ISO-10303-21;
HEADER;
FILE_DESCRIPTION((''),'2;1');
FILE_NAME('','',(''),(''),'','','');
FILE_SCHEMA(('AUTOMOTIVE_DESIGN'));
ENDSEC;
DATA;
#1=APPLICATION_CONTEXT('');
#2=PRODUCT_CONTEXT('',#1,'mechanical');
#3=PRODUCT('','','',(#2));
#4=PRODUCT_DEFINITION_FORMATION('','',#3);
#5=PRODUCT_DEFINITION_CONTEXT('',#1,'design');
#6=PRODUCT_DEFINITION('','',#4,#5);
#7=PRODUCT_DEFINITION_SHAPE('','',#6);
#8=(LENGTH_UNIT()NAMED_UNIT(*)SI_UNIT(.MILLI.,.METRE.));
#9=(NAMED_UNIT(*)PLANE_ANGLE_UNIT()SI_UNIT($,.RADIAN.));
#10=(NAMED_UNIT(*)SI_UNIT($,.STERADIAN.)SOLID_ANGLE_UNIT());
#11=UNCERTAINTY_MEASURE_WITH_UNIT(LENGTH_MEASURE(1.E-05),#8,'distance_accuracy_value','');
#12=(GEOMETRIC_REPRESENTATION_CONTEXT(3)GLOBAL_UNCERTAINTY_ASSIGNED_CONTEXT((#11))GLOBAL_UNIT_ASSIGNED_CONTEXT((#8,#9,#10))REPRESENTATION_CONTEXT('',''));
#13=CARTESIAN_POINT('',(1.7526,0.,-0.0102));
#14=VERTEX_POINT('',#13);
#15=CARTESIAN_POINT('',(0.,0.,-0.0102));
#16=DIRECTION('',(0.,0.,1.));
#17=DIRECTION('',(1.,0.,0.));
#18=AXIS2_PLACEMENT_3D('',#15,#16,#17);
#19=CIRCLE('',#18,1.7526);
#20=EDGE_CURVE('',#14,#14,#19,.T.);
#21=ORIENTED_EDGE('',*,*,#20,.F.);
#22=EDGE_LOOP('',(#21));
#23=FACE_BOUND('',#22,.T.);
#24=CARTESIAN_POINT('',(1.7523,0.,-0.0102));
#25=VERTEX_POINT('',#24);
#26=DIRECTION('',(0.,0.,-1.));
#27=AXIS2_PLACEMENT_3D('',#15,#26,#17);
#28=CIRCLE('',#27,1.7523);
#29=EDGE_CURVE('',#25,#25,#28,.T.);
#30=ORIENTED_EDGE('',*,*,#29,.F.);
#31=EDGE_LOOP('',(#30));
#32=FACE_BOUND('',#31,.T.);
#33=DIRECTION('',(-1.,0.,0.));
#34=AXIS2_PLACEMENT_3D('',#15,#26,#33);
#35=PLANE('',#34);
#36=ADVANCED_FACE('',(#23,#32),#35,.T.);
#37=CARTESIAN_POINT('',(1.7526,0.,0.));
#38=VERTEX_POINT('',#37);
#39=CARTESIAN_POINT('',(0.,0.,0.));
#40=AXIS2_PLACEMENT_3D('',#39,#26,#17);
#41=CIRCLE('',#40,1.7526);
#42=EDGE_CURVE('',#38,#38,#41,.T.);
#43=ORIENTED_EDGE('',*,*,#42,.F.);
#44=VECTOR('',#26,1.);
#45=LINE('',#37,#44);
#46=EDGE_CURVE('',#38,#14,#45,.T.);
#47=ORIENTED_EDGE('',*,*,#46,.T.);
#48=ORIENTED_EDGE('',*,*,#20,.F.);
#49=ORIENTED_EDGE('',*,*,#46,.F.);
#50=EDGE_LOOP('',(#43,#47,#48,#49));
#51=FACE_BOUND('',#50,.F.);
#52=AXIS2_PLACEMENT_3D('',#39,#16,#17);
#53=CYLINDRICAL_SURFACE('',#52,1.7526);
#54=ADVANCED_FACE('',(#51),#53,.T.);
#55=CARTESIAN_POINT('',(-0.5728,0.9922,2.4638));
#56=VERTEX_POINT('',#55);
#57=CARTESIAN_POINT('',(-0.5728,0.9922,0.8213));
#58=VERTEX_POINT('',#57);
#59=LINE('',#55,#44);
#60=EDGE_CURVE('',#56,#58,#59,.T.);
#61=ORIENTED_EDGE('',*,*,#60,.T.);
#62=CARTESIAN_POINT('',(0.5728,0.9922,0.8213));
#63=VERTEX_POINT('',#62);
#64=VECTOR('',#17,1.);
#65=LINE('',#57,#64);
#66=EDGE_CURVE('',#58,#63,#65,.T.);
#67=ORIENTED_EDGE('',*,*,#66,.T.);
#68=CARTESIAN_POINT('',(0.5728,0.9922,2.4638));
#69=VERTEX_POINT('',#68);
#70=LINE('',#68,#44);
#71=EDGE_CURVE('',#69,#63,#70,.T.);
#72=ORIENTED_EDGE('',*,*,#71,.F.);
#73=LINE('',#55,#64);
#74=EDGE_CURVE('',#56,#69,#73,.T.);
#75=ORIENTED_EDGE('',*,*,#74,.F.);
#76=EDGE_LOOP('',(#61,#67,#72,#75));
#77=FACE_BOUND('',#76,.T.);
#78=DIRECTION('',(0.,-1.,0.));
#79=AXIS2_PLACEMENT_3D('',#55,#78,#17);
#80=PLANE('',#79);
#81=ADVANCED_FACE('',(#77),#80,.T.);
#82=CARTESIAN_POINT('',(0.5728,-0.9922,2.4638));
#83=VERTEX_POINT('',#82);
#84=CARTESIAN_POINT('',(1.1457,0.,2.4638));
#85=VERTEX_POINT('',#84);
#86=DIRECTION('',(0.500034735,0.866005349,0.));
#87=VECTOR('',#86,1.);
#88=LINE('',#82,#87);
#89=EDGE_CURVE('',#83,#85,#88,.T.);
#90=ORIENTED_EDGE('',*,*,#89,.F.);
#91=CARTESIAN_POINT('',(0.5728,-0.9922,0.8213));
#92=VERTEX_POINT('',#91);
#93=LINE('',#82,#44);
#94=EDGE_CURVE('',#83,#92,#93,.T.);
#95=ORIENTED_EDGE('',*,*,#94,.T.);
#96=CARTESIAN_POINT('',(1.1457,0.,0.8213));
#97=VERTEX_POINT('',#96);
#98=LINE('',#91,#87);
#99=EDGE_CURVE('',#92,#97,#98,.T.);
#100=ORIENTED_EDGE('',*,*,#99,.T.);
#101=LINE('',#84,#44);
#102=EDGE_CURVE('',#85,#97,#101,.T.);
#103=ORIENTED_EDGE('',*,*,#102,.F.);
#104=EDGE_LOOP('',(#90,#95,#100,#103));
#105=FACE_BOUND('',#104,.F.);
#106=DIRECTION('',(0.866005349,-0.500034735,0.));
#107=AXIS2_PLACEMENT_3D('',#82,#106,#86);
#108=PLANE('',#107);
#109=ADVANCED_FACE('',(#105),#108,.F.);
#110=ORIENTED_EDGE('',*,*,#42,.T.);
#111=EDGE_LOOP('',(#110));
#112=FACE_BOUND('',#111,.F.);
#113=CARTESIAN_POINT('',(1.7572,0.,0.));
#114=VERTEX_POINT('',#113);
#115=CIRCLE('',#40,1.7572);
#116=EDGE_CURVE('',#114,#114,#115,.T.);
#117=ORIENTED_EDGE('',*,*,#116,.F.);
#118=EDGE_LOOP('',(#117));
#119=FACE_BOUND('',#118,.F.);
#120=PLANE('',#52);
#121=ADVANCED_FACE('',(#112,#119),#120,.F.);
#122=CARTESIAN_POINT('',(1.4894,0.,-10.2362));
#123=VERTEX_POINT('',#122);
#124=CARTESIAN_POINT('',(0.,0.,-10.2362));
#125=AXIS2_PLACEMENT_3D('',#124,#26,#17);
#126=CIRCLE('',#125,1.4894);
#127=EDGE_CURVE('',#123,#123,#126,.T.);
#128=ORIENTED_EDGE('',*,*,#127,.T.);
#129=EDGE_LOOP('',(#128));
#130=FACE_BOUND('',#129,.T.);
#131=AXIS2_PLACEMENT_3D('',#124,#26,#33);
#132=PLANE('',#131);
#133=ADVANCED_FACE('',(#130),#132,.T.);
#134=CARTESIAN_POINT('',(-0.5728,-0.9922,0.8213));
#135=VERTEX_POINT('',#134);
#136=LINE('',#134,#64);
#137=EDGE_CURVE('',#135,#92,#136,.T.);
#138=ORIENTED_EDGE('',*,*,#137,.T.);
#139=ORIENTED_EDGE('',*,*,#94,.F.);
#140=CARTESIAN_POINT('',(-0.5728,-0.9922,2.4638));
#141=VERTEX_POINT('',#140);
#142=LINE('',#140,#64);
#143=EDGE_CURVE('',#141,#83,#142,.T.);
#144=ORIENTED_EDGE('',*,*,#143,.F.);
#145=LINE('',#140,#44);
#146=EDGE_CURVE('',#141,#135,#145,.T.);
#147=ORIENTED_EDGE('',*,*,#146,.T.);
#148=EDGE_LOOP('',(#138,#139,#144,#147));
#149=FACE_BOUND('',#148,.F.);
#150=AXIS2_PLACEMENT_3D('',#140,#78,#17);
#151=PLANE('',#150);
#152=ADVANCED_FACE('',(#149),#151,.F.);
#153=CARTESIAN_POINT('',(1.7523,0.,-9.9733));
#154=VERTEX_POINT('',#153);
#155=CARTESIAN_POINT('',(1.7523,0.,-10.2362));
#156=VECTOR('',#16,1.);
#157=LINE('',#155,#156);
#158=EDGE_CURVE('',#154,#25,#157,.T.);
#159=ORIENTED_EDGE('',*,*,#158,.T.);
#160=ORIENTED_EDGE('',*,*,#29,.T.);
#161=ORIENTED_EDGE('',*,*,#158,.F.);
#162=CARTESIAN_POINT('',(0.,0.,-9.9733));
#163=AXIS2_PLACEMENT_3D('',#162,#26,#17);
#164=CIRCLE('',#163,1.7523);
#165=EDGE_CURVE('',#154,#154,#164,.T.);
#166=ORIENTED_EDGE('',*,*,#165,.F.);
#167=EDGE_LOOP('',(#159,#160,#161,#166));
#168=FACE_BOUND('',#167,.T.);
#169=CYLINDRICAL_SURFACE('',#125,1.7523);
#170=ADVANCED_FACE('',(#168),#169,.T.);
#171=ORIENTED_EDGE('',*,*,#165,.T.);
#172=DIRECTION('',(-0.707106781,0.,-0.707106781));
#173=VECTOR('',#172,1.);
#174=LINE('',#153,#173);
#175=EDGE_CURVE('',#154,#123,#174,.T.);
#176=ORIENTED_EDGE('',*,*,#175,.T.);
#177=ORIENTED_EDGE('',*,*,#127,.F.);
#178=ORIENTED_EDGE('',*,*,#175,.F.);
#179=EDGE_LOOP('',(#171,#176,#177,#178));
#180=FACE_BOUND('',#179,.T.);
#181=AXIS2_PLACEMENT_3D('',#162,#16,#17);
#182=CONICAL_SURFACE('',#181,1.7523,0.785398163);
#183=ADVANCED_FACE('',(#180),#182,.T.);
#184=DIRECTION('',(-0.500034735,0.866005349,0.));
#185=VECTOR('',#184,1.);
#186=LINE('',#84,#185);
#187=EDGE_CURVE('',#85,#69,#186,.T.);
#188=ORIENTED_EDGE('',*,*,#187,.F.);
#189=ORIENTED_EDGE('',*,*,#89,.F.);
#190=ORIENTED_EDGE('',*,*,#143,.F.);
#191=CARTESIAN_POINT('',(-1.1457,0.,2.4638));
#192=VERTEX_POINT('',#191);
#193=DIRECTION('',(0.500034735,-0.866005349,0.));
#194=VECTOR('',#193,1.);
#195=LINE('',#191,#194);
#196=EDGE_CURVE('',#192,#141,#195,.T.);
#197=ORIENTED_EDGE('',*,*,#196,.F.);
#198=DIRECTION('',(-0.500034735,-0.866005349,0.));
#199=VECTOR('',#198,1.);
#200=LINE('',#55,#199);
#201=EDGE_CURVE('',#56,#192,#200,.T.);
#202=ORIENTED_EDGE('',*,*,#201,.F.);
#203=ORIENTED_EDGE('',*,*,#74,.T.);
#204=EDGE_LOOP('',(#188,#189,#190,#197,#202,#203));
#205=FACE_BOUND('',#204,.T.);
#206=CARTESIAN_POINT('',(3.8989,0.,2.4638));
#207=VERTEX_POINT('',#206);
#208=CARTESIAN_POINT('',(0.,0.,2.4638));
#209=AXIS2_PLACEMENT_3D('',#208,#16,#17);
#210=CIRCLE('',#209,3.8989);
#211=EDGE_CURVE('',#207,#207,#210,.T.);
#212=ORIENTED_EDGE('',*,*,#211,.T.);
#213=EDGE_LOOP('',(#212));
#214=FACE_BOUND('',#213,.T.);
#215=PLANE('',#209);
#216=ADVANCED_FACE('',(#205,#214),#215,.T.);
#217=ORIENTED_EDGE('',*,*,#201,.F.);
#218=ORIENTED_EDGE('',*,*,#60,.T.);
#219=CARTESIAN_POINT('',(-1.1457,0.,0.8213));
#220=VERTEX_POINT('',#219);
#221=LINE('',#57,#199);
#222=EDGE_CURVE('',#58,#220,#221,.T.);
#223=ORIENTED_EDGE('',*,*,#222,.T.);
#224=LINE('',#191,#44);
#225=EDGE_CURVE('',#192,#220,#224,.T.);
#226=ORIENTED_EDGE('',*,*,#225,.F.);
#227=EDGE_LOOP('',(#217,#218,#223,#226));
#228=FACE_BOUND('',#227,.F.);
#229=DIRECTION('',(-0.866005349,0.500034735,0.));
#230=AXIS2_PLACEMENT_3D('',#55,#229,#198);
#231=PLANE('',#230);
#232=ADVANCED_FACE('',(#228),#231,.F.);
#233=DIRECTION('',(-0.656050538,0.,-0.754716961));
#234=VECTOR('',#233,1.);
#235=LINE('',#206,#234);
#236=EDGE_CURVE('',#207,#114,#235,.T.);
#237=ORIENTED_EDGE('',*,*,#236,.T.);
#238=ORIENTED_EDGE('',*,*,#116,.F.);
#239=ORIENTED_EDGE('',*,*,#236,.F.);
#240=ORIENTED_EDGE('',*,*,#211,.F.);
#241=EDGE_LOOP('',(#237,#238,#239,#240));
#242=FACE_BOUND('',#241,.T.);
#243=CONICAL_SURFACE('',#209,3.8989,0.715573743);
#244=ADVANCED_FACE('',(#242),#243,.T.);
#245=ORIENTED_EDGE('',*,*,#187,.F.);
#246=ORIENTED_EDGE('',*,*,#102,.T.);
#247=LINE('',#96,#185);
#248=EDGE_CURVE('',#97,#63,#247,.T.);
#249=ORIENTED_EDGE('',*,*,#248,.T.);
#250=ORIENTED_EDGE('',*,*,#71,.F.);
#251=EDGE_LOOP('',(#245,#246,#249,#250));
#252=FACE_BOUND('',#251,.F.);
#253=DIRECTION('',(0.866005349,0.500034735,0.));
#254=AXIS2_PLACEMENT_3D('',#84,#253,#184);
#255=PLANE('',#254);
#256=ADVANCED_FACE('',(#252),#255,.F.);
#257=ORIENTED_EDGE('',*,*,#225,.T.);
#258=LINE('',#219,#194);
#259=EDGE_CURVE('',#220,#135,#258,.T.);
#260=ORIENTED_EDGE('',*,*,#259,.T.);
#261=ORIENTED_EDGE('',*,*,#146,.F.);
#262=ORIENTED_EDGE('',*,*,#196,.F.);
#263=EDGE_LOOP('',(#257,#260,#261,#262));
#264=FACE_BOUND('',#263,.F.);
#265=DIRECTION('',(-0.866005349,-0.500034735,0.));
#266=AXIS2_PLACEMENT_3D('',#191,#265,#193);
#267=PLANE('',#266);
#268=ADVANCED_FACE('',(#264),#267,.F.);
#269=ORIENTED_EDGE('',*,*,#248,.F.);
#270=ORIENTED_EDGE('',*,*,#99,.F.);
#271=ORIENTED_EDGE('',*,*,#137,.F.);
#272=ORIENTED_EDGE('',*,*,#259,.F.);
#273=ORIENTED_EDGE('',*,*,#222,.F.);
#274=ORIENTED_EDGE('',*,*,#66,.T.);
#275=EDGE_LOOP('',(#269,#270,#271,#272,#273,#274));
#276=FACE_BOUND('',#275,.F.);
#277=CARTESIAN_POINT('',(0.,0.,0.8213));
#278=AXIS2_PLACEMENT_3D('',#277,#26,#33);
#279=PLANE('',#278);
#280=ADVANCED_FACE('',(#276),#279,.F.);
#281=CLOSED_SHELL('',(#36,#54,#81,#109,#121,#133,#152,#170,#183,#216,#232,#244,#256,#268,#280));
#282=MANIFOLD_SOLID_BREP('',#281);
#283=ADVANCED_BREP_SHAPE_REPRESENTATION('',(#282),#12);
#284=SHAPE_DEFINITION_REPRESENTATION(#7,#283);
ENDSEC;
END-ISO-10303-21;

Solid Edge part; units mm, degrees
sketch "Sketch1" plane through (0, 0, 0) normal (0, 0, 1) x (1, 0, 0)
  circle A0 centre (0, 0) radius 3.8989
  dimension "D1" = 7.7978
extrude "Protrusion1" add sketch "Sketch1" along normal blind 2.4638
sketch "Sketch2" plane through (0, 0, 0) normal (0, 0, -1) x (1, 0, 0)
  circle A0 centre (0, 0) radius 1.7526
extrude "Protrusion2" add sketch "Sketch2" along normal blind 10.2362
sketch "Sketch3" plane through (0, 0, -10.2362) normal (0, 0, -1) x (1, 0, 0)
  circle A0 centre (0, 0) radius 1.7523
extrude "Cutout1" cut sketch "Sketch3" against normal blind 10.226 flip side to cut
chamfer "Chamfer_1" distance 0.2629 angle 45 1 edges at (-1.7523, 0, -10.2362)
sketch "Sketch4" plane through (0, 0, 2.4638) normal (0, 0, 1) x (1, 0, 0)
  line L0 (-0.5728, 0.9922) -> (0.5728, 0.9922)
  line L1 (1.1457, 0) -> (0.5728, 0.9922)
  line L2 (0.5728, -0.9922) -> (1.1457, 0)
  line L3 (-0.5728, -0.9922) -> (0.5728, -0.9922)
  line L4 (-1.1457, 0) -> (-0.5728, -0.9922)
  line L5 (-0.5728, 0.9922) -> (-1.1457, 0)
  dimension "D1" = 1.9844
extrude "Cutout2" cut sketch "Sketch4" against normal blind 1.6425
sketch "Sketch5" plane through (0, 0, 0) normal (0, -1, 0) x (1, 0, 0)
  line L0 (3.8989, 2.4638) -> (1.7572, 0)
  line L1 (1.7572, 0) -> (3.8989, 0)
  line L2 (3.8989, 0) -> (3.8989, 2.4638)
revolve "RevolvedCutout1" cut sketch "Sketch5" angle 360 about axis through (0, 0, 14.0017) along (0, 0, -1)
properties part number "185721"
